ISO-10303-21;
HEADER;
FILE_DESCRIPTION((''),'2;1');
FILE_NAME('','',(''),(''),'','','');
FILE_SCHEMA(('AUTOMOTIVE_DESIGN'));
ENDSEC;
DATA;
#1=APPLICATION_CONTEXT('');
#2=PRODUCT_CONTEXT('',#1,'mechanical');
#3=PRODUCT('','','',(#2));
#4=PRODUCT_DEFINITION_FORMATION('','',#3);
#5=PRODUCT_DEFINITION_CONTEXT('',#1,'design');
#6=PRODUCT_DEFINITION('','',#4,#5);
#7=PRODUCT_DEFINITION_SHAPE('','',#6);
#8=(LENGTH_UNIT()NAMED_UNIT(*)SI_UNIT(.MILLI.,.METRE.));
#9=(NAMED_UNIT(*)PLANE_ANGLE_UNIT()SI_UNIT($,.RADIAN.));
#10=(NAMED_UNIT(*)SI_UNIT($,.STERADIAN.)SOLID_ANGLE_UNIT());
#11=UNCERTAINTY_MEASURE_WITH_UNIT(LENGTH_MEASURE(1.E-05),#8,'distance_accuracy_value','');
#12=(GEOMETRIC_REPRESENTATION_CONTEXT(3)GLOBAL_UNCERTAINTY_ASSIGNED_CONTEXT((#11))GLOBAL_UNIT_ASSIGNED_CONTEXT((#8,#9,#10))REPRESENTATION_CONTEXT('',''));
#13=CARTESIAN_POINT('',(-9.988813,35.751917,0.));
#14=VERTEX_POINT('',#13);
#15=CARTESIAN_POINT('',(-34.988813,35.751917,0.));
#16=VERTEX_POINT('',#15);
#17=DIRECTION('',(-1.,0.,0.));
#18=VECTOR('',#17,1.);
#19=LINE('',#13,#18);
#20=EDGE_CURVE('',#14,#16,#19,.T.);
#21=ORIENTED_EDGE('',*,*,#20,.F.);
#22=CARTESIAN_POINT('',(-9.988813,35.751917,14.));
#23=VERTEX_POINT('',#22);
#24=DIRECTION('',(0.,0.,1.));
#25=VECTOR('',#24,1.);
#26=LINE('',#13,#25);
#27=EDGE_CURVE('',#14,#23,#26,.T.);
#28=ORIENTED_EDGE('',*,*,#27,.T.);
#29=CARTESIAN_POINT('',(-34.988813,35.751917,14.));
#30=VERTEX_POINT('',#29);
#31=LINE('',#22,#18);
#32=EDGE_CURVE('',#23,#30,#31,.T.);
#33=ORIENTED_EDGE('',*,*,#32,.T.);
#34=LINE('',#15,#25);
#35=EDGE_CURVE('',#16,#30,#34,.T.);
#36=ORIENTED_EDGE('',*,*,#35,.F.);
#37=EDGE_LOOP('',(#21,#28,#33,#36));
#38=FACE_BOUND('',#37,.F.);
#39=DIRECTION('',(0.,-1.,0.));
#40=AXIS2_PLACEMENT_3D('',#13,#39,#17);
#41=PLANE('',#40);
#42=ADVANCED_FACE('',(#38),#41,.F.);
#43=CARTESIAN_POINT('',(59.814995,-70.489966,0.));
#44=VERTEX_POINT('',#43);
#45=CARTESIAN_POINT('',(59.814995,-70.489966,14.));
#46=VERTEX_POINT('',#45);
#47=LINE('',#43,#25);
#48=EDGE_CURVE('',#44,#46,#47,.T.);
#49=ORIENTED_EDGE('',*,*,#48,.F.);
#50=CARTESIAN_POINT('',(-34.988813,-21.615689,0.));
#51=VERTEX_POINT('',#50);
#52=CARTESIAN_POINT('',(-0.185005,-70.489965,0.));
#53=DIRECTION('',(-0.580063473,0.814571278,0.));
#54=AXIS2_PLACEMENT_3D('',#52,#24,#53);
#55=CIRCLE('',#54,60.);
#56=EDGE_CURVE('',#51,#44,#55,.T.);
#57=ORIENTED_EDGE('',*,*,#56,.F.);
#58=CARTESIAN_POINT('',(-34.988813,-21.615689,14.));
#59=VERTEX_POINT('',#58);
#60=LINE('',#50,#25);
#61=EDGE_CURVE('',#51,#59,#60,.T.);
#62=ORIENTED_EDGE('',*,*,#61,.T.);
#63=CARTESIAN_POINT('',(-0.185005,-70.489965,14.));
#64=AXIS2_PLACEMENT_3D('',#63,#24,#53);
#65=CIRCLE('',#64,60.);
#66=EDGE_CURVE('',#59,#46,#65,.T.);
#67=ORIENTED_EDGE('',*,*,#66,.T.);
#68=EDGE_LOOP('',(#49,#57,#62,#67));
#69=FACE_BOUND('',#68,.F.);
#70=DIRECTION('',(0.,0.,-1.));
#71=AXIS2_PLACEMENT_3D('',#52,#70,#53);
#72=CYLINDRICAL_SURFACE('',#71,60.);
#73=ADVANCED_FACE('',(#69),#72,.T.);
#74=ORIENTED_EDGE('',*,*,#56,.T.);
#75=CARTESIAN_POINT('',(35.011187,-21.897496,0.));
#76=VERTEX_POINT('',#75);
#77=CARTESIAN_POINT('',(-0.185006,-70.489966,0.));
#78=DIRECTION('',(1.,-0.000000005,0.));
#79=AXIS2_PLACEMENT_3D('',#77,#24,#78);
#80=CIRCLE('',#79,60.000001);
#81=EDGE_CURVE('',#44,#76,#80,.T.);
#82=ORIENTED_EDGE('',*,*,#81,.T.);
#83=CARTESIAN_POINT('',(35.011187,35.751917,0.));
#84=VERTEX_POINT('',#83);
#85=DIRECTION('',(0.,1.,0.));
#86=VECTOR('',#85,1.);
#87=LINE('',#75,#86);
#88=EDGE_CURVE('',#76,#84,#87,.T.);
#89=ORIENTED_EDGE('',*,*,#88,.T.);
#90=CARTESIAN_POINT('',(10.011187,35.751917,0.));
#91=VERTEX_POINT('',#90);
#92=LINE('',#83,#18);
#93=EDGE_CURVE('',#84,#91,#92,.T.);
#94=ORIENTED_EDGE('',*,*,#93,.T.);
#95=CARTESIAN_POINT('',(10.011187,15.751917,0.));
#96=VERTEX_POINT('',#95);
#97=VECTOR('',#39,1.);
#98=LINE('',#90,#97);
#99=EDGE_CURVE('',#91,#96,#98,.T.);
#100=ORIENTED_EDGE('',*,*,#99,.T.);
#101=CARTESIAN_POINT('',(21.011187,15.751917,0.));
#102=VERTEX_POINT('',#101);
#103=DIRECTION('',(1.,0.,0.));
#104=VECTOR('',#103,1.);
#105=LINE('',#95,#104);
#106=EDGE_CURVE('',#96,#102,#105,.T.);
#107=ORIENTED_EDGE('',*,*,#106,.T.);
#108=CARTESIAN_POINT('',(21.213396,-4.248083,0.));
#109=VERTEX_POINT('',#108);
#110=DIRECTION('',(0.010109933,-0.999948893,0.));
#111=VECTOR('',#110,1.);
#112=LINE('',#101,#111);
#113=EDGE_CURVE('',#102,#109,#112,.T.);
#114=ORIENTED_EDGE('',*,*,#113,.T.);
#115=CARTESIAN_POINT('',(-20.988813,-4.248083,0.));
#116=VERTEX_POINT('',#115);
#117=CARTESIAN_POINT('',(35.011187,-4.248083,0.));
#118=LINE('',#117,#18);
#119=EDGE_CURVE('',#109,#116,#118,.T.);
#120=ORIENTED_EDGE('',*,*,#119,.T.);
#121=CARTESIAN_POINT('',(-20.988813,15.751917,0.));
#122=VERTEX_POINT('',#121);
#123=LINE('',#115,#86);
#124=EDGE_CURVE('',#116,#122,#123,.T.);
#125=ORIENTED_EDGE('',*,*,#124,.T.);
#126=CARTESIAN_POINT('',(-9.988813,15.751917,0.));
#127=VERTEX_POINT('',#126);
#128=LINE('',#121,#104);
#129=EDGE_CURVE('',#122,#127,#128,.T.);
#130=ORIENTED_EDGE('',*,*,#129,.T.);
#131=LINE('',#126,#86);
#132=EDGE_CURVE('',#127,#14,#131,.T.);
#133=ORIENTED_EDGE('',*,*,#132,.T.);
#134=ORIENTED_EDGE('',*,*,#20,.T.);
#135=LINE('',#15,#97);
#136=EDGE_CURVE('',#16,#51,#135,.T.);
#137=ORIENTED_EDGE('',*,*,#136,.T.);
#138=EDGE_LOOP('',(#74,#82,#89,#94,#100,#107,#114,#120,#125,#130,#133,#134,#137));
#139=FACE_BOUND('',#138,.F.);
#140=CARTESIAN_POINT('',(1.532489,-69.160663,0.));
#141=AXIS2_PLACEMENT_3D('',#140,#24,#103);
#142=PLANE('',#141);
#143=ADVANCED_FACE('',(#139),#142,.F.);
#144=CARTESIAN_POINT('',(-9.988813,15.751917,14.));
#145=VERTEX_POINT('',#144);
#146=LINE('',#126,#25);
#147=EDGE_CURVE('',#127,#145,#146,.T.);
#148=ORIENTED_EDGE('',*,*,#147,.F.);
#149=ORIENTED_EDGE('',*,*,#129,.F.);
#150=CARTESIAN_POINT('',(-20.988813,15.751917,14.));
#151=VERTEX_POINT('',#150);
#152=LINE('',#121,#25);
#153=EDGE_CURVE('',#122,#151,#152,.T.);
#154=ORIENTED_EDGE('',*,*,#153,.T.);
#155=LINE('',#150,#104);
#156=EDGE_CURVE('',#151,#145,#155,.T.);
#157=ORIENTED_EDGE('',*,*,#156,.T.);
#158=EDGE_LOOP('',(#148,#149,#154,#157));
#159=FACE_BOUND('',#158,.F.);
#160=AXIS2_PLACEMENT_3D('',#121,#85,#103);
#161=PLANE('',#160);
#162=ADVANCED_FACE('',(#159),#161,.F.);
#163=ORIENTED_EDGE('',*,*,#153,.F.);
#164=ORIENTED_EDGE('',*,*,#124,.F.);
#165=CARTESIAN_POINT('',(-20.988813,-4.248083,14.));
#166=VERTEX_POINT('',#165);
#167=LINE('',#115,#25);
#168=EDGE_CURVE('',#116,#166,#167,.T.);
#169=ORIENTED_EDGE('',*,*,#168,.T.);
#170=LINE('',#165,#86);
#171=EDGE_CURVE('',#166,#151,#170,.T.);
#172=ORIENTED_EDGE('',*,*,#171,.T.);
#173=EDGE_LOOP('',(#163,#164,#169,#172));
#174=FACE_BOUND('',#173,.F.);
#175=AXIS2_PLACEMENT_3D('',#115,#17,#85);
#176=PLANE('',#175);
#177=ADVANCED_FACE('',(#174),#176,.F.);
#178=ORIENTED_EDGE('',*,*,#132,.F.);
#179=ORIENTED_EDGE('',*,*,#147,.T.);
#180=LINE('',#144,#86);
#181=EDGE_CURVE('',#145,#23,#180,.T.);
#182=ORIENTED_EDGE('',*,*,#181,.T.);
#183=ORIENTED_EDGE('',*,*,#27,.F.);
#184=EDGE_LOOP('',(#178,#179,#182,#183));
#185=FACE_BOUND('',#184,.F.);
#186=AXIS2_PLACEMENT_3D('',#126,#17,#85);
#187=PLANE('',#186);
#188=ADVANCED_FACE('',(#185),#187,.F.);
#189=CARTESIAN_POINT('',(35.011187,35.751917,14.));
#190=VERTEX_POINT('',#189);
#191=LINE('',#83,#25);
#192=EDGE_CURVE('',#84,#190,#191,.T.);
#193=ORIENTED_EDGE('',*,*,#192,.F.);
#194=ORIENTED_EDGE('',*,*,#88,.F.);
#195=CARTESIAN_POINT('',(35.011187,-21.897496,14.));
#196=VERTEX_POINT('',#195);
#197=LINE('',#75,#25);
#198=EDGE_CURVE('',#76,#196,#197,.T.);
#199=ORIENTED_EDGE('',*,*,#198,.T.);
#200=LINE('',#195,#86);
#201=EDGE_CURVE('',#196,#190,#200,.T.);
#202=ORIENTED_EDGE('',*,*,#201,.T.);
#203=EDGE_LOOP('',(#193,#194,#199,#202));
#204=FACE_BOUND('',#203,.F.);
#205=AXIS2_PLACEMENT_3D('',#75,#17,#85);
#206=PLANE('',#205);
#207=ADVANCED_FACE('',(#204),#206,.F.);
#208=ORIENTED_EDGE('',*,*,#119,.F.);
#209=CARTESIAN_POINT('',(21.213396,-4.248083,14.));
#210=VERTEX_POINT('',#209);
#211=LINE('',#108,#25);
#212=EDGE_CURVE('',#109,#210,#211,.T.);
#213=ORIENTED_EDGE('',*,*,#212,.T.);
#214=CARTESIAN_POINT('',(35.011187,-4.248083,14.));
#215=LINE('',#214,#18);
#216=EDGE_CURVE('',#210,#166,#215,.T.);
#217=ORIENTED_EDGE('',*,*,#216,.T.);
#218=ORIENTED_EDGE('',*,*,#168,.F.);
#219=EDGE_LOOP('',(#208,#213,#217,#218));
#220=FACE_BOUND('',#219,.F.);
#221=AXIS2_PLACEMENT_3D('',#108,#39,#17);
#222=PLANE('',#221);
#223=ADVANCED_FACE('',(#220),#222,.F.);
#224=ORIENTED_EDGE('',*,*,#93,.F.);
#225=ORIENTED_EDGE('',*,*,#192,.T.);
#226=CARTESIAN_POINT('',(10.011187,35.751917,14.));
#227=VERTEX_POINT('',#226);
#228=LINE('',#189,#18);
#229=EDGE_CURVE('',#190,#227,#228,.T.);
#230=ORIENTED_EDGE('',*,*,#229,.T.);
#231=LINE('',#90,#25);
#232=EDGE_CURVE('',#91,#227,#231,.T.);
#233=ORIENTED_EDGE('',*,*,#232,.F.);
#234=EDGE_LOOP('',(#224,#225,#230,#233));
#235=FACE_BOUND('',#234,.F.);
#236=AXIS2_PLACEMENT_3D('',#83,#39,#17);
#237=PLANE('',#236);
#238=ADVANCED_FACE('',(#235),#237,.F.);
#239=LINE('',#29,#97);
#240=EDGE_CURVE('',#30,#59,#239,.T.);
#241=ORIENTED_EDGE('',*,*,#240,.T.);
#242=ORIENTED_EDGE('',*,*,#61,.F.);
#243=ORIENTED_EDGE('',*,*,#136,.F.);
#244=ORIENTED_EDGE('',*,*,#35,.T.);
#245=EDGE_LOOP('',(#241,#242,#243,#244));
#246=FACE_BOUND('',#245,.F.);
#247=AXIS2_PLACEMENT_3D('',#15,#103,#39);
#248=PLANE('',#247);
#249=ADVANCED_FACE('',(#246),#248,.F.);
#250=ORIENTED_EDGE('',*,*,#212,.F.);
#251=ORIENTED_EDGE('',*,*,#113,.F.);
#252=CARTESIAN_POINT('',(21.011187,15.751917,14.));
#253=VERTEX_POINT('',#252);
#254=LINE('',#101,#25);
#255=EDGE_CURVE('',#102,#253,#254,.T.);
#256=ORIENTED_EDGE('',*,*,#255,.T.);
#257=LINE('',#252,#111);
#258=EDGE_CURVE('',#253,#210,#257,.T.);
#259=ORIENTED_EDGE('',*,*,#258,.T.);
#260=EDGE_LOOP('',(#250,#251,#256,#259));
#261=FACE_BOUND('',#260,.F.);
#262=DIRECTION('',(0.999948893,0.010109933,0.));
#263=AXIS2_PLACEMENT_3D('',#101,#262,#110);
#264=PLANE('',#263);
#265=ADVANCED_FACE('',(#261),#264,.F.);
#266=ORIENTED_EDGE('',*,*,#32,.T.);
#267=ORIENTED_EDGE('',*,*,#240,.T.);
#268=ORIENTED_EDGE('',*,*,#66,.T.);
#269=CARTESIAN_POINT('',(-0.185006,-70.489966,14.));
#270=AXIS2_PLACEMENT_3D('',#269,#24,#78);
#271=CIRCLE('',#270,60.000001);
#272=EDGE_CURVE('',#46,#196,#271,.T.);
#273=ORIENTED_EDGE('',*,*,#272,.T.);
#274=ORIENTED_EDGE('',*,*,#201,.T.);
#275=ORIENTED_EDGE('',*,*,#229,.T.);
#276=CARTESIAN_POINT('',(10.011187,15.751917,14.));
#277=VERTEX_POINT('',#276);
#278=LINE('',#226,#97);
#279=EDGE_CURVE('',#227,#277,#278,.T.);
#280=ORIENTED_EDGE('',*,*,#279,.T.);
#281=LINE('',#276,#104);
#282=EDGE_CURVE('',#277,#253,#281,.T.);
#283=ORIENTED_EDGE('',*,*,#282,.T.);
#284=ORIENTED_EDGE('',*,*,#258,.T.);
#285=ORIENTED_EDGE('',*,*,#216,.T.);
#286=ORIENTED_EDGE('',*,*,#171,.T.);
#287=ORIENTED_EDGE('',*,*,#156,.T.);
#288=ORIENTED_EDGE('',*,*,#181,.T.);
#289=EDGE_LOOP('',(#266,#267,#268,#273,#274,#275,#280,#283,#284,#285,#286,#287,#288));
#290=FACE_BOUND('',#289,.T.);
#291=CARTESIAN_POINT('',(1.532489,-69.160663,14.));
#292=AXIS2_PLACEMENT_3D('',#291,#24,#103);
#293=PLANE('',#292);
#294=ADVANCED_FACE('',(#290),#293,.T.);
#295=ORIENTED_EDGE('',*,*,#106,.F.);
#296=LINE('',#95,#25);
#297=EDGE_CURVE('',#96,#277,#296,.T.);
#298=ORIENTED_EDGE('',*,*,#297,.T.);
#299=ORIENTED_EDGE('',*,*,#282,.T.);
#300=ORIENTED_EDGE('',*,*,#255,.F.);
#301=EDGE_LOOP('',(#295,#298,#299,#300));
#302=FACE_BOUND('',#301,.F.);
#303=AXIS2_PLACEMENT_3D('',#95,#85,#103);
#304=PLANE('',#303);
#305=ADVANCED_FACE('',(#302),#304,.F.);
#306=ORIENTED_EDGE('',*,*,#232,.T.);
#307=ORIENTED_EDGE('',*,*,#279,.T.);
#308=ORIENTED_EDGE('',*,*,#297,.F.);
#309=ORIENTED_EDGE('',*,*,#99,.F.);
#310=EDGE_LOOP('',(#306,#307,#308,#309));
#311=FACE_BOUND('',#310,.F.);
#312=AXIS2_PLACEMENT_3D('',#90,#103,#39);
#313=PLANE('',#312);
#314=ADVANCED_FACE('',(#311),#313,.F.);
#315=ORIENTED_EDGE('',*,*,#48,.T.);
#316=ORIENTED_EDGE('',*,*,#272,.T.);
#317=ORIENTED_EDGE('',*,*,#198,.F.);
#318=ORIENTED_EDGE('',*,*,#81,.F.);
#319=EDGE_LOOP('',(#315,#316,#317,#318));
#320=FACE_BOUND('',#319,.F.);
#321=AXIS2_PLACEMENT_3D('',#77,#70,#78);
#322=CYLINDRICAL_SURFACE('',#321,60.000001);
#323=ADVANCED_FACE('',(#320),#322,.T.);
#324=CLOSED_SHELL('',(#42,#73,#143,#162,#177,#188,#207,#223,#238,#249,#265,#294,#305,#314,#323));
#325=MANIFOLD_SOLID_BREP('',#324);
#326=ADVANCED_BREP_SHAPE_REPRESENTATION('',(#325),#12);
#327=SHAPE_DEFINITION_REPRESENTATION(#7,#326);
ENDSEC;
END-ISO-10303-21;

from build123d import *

# Parameters (mm, degrees)
F1_DEPTH = 14


with BuildPart() as f1:
    # F0 (on Top) → F1 (new body)
    with BuildSketch(Plane.XY):
        with BuildLine():
            ThreePointArc((-34.988813, -21.615689), (-27.678381, -123.820203), (59.814995, -70.489966))
            ThreePointArc((59.814995, -70.489966), (53.255483, -43.211508), (35.011187, -21.897496))
            Line((35.011187, -21.897496), (-34.988813, -21.897496))
            Line((-34.988813, -21.897496), (-34.988813, -21.615689))
        make_face()
        Polygon((21.213396, -4.248083), (35.011187, -4.248083), (35.011187, 35.751917), (10.011187, 35.751917), (10.011187, 15.751917), (21.011187, 15.751917), align=None)
        Polygon((-34.988813, 35.751917), (-34.988813, -4.248083), (-20.988813, -4.248083), (-20.988813, 15.751917), (-9.988813, 15.751917), (-9.988813, 35.751917), align=None)
        with BuildLine():
            Line((-34.988813, -21.897496), (35.011187, -21.897496))
            ThreePointArc((35.011187, -21.897496), (0.056542, -10.490452), (-34.988813, -21.615689))
            Line((-34.988813, -21.615689), (-34.988813, -21.897496))
        make_face()
        with BuildLine():
            ThreePointArc((-34.988813, -21.615689), (0.056542, -10.490452), (35.011187, -21.897496))
            Line((35.011187, -21.897496), (35.011187, -4.248083))
            Line((35.011187, -4.248083), (21.213396, -4.248083))
            Line((21.213396, -4.248083), (-20.988813, -4.248083))
            Line((-20.988813, -4.248083), (-34.988813, -4.248083))
            Line((-34.988813, -4.248083), (-34.988813, -21.615689))
        make_face()
    extrude(amount=F1_DEPTH)


solid = f1.part
